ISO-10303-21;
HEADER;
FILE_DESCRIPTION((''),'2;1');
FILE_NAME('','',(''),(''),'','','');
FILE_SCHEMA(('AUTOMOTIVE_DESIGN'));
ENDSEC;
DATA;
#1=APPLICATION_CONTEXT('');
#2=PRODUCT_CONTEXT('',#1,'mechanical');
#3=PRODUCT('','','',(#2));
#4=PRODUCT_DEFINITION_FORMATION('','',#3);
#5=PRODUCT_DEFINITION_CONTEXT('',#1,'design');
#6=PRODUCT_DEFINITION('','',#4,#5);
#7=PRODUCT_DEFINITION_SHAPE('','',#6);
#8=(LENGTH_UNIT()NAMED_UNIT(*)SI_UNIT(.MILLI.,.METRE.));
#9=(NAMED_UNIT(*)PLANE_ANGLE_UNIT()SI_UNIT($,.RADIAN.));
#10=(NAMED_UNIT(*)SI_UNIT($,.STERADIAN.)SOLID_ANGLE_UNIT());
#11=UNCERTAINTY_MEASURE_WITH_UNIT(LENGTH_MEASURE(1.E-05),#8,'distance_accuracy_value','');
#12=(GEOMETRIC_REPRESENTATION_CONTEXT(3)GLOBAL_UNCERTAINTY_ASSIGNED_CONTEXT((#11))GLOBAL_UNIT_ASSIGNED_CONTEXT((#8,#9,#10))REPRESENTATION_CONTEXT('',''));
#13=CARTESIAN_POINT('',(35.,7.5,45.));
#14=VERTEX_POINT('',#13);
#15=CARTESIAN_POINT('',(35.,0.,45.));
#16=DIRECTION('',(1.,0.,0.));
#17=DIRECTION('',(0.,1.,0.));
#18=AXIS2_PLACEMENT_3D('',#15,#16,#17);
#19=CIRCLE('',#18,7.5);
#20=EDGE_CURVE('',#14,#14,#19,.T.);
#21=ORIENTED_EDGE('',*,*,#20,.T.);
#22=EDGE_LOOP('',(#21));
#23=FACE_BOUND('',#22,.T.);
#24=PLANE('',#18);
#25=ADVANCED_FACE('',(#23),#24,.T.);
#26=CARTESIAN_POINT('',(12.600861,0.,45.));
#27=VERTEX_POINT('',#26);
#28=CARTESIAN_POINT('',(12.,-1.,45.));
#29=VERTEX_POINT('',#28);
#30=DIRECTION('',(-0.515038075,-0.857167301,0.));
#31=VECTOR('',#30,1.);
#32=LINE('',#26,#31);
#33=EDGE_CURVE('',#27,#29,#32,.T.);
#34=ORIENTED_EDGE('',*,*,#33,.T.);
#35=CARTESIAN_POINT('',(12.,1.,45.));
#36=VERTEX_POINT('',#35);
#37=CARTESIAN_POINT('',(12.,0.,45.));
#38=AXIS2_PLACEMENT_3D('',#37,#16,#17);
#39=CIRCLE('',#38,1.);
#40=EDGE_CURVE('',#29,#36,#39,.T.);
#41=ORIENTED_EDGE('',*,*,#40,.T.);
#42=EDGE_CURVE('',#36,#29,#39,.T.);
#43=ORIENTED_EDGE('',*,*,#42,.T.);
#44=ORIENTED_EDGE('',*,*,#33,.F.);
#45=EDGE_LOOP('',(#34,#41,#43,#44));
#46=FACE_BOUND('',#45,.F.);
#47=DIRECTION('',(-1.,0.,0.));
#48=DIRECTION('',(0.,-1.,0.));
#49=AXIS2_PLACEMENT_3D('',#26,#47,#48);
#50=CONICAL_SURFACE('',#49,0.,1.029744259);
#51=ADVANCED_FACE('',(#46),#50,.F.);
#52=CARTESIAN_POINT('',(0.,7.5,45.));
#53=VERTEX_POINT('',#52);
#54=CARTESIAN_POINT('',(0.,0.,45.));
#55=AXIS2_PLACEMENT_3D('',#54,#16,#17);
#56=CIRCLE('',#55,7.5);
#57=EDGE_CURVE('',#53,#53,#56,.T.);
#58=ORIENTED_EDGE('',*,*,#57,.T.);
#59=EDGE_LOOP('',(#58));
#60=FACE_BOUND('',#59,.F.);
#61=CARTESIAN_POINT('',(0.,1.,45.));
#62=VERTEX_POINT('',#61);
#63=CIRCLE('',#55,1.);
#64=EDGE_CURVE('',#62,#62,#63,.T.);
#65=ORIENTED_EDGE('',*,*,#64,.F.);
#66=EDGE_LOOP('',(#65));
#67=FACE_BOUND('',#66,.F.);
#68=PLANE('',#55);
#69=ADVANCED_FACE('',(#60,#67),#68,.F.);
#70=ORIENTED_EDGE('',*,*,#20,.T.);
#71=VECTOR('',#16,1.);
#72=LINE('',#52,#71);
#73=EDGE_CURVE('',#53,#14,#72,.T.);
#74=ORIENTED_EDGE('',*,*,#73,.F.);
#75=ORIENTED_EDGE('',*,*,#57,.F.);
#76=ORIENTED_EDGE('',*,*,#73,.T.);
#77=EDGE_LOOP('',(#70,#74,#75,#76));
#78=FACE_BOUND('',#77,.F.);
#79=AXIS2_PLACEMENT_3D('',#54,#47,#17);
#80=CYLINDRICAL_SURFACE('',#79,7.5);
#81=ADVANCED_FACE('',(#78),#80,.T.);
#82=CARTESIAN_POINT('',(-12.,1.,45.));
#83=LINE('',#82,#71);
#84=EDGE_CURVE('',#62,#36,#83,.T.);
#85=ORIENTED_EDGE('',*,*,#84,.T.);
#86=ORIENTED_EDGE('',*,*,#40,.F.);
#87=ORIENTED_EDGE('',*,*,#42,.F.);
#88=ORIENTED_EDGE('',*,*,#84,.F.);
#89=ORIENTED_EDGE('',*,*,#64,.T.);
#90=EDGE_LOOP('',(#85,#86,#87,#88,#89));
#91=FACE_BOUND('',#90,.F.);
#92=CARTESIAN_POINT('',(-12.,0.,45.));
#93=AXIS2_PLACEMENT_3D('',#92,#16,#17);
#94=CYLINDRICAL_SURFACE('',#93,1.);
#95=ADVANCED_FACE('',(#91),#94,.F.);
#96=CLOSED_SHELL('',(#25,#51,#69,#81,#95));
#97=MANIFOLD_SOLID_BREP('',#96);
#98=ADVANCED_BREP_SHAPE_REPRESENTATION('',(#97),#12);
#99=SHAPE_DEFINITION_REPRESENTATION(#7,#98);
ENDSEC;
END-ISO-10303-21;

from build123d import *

# Parameters (mm, degrees)
F0_R     = 7.5
F1_DEPTH = 35
F3_D     = 2
F3_DEPTH = 12
F3_TIP   = 0.600860619


with BuildPart() as f1:
    # F0 (on Right) → F1 (new body)
    with BuildSketch(Plane.YZ):
        with Locations((0, 45)):
            Circle(F0_R)
    extrude(amount=F1_DEPTH)

    # F3
    with Locations(Plane(origin=(0, 0, 0), x_dir=(0, -1, 0), z_dir=(-1, 0, 0))):
        with Locations((0, 45)):
            Hole(F3_D / 2, depth=F3_DEPTH)
            with Locations((0, 0, -(F3_DEPTH + F3_TIP / 2))):  # 118° drill point
                Cone(0, F3_D / 2, F3_TIP, mode=Mode.SUBTRACT)


solid = f1.part
